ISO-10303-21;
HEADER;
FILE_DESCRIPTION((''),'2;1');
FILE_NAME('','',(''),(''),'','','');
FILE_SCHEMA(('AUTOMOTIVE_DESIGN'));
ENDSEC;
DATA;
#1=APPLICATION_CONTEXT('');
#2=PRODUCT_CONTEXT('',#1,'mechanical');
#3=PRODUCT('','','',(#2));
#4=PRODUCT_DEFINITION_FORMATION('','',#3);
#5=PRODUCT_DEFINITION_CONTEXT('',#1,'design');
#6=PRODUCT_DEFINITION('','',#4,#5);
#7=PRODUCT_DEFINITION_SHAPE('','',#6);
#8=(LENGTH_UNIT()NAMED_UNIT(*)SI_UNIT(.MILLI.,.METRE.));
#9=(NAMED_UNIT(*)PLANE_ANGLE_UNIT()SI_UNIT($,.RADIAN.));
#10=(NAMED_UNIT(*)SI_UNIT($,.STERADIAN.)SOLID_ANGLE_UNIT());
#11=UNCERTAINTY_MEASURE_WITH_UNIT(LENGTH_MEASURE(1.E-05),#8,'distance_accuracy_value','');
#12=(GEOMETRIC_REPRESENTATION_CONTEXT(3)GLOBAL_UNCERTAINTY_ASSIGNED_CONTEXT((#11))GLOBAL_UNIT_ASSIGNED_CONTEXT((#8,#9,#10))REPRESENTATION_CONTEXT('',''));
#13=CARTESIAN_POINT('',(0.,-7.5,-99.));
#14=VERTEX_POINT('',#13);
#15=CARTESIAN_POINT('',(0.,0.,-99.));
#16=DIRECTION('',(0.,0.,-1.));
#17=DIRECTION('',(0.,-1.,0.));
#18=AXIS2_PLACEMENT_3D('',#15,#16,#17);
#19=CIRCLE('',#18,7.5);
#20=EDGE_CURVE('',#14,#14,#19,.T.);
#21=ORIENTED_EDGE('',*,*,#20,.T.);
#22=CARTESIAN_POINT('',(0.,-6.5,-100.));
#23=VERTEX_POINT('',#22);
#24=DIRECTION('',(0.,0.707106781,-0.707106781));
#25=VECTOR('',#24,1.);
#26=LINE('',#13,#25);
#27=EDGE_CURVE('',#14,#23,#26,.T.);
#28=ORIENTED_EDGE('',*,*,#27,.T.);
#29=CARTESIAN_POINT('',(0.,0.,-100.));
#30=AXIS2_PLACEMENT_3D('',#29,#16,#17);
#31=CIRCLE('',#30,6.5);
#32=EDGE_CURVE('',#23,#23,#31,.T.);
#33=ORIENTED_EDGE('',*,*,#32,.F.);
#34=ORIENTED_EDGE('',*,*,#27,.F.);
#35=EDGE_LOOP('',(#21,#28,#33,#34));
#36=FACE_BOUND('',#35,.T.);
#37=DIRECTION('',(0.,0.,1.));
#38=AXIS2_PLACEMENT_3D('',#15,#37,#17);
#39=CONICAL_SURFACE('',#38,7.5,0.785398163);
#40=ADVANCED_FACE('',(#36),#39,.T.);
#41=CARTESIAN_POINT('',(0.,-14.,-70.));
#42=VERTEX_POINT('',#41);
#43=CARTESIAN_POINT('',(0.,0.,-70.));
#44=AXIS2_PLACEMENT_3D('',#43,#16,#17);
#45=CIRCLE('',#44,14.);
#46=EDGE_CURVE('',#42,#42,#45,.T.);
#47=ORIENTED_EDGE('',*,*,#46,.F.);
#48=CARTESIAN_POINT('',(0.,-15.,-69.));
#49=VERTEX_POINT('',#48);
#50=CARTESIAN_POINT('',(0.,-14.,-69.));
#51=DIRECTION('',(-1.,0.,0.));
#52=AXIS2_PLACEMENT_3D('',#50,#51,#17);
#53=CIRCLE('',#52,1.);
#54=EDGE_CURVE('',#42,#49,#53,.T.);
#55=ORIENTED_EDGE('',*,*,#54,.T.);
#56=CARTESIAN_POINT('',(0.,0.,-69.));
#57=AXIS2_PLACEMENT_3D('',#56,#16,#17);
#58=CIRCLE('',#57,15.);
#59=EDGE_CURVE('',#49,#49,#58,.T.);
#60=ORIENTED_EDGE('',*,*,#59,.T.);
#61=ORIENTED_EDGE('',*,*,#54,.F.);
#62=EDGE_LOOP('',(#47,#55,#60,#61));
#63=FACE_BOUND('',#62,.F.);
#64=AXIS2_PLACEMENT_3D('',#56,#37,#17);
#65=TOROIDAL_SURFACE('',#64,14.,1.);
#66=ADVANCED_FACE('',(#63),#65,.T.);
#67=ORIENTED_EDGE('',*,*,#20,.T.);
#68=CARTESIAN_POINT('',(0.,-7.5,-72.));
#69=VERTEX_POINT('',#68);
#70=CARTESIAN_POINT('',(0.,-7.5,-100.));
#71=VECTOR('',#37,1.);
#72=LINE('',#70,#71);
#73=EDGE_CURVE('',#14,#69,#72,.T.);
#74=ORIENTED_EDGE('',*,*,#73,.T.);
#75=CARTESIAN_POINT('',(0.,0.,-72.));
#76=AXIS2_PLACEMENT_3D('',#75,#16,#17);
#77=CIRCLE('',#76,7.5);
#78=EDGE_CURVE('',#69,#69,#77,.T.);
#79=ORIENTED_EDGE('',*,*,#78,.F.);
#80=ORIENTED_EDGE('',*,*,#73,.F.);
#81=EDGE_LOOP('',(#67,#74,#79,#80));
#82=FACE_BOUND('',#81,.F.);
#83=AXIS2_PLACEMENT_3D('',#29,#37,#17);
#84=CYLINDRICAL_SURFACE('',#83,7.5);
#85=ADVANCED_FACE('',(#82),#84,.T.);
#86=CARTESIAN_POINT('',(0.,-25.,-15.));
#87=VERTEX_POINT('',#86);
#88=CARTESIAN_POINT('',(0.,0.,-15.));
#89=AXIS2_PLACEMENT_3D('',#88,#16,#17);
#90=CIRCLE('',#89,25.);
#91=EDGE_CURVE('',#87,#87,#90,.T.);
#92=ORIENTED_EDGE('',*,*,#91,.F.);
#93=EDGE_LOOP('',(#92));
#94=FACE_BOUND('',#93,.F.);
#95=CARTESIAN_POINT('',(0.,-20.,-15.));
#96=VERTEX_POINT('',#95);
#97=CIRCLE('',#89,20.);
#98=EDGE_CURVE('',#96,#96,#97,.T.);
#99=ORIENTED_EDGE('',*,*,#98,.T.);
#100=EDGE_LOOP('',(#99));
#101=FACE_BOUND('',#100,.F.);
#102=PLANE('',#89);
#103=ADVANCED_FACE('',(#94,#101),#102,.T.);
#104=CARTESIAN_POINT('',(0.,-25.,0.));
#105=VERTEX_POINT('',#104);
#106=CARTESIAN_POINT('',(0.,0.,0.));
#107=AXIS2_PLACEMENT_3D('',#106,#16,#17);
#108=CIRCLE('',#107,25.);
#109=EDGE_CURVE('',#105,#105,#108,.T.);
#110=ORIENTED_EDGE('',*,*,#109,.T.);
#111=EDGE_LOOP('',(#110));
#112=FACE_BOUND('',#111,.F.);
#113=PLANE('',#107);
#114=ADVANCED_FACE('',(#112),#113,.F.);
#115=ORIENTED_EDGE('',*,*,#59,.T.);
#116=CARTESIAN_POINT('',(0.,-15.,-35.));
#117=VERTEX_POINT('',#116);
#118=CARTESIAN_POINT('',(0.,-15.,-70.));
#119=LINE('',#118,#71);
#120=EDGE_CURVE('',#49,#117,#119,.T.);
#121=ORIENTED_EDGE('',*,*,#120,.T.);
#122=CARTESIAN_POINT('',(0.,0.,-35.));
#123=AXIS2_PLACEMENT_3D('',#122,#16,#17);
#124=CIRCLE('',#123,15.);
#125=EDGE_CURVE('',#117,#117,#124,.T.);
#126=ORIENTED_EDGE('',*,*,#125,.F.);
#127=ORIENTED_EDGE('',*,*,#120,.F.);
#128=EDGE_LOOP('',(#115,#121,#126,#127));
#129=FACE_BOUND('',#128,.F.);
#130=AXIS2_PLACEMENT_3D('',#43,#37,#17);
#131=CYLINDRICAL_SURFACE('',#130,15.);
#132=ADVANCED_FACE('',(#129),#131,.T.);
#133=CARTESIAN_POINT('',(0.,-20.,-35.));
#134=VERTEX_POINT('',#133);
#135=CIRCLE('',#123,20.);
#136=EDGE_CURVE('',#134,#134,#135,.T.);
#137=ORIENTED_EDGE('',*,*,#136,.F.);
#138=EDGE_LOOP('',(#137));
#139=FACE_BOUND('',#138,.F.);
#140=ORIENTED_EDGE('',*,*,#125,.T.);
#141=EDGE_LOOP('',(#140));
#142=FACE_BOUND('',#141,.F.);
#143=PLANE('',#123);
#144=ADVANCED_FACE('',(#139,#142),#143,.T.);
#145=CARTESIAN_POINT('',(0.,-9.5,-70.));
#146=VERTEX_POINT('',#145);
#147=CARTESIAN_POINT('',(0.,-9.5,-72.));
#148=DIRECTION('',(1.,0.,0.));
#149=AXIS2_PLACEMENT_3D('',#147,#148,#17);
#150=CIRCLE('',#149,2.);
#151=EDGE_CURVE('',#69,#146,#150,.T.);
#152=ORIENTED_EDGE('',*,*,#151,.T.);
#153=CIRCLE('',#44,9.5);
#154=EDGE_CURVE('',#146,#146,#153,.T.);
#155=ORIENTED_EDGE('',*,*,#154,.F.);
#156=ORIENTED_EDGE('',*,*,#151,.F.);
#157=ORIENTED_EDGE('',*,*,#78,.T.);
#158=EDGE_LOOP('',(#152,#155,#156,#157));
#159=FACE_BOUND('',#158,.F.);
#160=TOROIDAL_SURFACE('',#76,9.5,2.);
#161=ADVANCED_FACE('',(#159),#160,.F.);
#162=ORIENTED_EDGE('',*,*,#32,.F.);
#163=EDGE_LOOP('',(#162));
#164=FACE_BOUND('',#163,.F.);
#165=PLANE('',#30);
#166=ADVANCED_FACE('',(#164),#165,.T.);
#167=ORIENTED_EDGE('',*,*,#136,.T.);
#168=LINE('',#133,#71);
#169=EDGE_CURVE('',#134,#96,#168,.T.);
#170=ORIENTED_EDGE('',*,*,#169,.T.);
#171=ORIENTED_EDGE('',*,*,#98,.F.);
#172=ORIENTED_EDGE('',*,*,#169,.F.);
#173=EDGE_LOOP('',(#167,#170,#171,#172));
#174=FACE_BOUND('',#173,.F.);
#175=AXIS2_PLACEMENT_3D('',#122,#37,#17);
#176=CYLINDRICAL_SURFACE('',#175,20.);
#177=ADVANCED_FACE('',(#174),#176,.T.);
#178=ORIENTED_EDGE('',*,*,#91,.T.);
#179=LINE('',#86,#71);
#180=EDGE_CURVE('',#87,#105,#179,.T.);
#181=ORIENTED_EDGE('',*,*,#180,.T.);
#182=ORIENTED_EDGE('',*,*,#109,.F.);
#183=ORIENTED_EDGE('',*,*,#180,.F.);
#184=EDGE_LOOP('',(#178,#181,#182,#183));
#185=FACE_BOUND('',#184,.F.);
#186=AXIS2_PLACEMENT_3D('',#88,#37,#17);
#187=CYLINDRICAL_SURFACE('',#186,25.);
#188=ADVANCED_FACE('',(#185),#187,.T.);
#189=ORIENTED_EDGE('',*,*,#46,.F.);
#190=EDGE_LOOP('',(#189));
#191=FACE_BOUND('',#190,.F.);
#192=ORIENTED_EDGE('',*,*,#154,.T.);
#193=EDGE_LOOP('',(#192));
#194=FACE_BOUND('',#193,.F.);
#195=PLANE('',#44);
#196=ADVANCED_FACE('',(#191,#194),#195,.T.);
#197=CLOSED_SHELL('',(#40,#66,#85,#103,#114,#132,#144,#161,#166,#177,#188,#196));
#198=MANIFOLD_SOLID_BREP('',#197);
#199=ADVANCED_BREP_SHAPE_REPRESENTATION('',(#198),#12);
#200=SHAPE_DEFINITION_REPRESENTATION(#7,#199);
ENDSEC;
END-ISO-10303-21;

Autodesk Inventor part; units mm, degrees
ref_plane "YZ Plane" through (0, 0, 0) normal (1, 0, 0) x (0, 1, 0)
ref_plane "XZ Plane" through (0, 0, 0) normal (0, 1, 0) x (-1, 0, 0)
ref_plane "XY Plane" through (0, 0, 0) normal (0, 0, 1) x (1, 0, 0)
sketch "Sketch1" plane through (0, 0, 0) normal (1, 0, 0) x (0, 1, 0)
  line L0 (0, 0) -> (0, -100)
  line L1 (0, -100) -> (7.5, -100)
  line L2 (7.5, -100) -> (7.5, -70)
  line L3 (7.5, -70) -> (15, -70)
  line L4 (15, -70) -> (15, -35)
  line L5 (15, -35) -> (20, -35)
  line L6 (20, -35) -> (20, -15)
  line L7 (20, -15) -> (25, -15)
  line L8 (25, -15) -> (25, 0)
  line L9 (25, 0) -> (0, 0)
  dimension "d0" = 100
  dimension "d1" = 15
  dimension "d2" = 20
  dimension "d3" = 35
  dimension "d4" = 15
  dimension "d5" = 30
  dimension "d6" = 40
  dimension "d7" = 50
revolve "Revolution1" add sketch "Sketch1" angle 360 mid plane about axis through (0, 0, 0) along (0, 0, -1)
chamfer "Chamfer1" distance 1 angle 45 1 edges at (0, 7.5, -100)
fillet "Fillet1" radius 2 1 edges at (0, 7.5, -70)
fillet "Fillet2" radius 1 1 edges at (0, 15, -70)
thread "Thread1" size "M15x1.5" class "6g" standard "ANSI Metric M Profile" full length
